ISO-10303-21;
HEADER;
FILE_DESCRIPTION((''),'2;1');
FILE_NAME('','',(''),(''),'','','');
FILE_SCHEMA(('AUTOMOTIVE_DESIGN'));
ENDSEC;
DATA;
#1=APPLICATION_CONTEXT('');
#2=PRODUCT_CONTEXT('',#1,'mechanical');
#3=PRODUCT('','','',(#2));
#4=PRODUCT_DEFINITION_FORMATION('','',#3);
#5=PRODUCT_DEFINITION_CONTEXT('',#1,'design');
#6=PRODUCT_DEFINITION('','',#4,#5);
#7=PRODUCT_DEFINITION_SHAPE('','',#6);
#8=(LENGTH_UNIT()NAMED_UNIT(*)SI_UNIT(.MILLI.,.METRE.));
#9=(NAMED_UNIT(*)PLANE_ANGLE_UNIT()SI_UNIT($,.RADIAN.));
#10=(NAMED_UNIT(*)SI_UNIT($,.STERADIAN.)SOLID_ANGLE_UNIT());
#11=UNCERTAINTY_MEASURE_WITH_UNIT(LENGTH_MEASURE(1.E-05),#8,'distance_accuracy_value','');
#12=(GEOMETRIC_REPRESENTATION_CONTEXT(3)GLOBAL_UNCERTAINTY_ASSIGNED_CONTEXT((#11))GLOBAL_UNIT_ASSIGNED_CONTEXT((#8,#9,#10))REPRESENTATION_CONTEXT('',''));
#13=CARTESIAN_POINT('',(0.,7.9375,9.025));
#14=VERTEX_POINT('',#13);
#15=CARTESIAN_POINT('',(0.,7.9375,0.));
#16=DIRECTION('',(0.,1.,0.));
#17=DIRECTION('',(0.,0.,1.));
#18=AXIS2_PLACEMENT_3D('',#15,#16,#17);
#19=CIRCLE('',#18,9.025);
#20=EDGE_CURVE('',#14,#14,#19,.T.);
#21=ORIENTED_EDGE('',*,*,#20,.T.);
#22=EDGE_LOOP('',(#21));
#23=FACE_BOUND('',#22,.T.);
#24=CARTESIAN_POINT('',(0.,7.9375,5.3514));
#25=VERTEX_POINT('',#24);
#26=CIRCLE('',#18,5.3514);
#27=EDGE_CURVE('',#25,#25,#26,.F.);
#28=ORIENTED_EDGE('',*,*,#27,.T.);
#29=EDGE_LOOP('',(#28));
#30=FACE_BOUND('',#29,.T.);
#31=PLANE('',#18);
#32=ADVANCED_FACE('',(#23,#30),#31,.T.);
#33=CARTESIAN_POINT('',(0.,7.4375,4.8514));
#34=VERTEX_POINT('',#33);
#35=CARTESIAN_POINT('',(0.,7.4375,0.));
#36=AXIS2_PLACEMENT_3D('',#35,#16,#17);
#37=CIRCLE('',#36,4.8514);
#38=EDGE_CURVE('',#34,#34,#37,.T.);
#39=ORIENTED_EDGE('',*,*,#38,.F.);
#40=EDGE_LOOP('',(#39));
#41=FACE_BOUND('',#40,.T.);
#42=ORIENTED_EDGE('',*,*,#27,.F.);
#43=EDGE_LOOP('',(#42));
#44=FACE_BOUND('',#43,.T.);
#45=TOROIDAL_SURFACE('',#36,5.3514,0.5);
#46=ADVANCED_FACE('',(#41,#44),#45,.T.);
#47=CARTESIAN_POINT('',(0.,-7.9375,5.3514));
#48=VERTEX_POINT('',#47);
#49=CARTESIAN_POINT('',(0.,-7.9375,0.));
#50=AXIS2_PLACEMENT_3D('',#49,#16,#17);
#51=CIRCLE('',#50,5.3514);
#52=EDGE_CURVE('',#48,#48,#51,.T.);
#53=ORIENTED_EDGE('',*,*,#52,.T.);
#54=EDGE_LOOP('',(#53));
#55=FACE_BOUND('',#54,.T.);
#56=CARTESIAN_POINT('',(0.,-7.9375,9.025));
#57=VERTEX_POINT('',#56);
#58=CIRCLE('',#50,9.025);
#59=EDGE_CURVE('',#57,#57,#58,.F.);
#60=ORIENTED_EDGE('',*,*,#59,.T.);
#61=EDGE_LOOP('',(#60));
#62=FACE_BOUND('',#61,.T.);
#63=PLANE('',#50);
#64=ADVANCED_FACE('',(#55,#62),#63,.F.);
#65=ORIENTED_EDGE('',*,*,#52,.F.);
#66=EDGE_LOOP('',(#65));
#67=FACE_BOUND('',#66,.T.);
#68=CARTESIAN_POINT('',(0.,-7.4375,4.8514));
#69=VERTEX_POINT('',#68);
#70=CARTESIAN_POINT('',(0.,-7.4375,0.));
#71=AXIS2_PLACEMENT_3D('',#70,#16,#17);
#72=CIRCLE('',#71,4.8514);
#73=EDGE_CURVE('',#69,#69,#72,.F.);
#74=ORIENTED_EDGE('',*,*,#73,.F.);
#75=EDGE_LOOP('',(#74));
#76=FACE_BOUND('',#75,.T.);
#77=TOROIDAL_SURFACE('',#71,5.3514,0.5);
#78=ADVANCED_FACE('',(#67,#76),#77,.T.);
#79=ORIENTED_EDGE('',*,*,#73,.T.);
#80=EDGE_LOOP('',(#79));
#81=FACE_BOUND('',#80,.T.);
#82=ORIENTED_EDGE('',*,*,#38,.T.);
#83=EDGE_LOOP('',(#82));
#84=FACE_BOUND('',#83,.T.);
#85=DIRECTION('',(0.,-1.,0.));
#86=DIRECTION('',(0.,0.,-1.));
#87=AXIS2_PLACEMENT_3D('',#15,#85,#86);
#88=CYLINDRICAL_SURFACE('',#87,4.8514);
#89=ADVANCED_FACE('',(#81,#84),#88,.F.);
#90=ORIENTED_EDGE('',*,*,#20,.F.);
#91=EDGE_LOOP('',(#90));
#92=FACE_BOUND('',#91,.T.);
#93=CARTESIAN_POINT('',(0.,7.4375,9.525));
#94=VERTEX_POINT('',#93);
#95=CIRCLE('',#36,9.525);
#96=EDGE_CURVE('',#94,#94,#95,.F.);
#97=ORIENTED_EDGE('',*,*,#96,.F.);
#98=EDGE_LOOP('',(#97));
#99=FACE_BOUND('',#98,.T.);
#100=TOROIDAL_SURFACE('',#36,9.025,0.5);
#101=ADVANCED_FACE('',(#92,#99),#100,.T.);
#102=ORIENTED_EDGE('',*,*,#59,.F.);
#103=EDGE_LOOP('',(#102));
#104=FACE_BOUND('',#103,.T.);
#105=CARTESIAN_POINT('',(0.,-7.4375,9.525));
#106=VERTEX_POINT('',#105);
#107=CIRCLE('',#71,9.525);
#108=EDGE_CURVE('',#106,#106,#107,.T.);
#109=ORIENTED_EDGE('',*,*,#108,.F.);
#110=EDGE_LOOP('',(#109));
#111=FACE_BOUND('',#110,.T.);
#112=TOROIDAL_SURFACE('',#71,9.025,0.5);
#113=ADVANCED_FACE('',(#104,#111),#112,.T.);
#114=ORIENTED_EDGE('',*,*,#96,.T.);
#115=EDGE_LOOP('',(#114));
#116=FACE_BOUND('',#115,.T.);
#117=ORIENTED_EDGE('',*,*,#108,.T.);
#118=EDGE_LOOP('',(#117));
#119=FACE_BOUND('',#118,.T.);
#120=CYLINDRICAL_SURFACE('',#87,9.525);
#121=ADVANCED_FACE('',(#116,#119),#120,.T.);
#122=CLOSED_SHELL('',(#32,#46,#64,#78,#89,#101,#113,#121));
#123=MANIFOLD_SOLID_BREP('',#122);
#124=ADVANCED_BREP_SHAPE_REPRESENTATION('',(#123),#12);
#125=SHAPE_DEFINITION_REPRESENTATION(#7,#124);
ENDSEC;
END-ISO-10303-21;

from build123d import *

# Parameters (mm, degrees)
ESQUISSE2_R        = 9.525
ESQUISSE2_R_2      = 4.8514
BOSS_EXTRU_1_DEPTH = 7.9375
CONG_2_R           = 0.5


with BuildPart() as part:
    # Esquisse2 → Boss.-Extru.1 (new body, symmetric)
    with BuildSketch(Plane(origin=(0, 0, 0), x_dir=(1, 0, 0), z_dir=(0, 1, 0))):
        Circle(ESQUISSE2_R)
        Circle(ESQUISSE2_R_2, mode=Mode.SUBTRACT)
    extrude(amount=BOSS_EXTRU_1_DEPTH, both=True)

    # Congé2
    cong_2_edges = [part.edges().sort_by_distance(p)[0] for p in [
        (-9.525, -7.9375, 0),
        (-9.525, 7.9375, 0),
        (-4.8514, -7.9375, 0),
        (-4.8514, 7.9375, 0),
    ]]
    fillet(cong_2_edges, radius=CONG_2_R)


solid = part.part
